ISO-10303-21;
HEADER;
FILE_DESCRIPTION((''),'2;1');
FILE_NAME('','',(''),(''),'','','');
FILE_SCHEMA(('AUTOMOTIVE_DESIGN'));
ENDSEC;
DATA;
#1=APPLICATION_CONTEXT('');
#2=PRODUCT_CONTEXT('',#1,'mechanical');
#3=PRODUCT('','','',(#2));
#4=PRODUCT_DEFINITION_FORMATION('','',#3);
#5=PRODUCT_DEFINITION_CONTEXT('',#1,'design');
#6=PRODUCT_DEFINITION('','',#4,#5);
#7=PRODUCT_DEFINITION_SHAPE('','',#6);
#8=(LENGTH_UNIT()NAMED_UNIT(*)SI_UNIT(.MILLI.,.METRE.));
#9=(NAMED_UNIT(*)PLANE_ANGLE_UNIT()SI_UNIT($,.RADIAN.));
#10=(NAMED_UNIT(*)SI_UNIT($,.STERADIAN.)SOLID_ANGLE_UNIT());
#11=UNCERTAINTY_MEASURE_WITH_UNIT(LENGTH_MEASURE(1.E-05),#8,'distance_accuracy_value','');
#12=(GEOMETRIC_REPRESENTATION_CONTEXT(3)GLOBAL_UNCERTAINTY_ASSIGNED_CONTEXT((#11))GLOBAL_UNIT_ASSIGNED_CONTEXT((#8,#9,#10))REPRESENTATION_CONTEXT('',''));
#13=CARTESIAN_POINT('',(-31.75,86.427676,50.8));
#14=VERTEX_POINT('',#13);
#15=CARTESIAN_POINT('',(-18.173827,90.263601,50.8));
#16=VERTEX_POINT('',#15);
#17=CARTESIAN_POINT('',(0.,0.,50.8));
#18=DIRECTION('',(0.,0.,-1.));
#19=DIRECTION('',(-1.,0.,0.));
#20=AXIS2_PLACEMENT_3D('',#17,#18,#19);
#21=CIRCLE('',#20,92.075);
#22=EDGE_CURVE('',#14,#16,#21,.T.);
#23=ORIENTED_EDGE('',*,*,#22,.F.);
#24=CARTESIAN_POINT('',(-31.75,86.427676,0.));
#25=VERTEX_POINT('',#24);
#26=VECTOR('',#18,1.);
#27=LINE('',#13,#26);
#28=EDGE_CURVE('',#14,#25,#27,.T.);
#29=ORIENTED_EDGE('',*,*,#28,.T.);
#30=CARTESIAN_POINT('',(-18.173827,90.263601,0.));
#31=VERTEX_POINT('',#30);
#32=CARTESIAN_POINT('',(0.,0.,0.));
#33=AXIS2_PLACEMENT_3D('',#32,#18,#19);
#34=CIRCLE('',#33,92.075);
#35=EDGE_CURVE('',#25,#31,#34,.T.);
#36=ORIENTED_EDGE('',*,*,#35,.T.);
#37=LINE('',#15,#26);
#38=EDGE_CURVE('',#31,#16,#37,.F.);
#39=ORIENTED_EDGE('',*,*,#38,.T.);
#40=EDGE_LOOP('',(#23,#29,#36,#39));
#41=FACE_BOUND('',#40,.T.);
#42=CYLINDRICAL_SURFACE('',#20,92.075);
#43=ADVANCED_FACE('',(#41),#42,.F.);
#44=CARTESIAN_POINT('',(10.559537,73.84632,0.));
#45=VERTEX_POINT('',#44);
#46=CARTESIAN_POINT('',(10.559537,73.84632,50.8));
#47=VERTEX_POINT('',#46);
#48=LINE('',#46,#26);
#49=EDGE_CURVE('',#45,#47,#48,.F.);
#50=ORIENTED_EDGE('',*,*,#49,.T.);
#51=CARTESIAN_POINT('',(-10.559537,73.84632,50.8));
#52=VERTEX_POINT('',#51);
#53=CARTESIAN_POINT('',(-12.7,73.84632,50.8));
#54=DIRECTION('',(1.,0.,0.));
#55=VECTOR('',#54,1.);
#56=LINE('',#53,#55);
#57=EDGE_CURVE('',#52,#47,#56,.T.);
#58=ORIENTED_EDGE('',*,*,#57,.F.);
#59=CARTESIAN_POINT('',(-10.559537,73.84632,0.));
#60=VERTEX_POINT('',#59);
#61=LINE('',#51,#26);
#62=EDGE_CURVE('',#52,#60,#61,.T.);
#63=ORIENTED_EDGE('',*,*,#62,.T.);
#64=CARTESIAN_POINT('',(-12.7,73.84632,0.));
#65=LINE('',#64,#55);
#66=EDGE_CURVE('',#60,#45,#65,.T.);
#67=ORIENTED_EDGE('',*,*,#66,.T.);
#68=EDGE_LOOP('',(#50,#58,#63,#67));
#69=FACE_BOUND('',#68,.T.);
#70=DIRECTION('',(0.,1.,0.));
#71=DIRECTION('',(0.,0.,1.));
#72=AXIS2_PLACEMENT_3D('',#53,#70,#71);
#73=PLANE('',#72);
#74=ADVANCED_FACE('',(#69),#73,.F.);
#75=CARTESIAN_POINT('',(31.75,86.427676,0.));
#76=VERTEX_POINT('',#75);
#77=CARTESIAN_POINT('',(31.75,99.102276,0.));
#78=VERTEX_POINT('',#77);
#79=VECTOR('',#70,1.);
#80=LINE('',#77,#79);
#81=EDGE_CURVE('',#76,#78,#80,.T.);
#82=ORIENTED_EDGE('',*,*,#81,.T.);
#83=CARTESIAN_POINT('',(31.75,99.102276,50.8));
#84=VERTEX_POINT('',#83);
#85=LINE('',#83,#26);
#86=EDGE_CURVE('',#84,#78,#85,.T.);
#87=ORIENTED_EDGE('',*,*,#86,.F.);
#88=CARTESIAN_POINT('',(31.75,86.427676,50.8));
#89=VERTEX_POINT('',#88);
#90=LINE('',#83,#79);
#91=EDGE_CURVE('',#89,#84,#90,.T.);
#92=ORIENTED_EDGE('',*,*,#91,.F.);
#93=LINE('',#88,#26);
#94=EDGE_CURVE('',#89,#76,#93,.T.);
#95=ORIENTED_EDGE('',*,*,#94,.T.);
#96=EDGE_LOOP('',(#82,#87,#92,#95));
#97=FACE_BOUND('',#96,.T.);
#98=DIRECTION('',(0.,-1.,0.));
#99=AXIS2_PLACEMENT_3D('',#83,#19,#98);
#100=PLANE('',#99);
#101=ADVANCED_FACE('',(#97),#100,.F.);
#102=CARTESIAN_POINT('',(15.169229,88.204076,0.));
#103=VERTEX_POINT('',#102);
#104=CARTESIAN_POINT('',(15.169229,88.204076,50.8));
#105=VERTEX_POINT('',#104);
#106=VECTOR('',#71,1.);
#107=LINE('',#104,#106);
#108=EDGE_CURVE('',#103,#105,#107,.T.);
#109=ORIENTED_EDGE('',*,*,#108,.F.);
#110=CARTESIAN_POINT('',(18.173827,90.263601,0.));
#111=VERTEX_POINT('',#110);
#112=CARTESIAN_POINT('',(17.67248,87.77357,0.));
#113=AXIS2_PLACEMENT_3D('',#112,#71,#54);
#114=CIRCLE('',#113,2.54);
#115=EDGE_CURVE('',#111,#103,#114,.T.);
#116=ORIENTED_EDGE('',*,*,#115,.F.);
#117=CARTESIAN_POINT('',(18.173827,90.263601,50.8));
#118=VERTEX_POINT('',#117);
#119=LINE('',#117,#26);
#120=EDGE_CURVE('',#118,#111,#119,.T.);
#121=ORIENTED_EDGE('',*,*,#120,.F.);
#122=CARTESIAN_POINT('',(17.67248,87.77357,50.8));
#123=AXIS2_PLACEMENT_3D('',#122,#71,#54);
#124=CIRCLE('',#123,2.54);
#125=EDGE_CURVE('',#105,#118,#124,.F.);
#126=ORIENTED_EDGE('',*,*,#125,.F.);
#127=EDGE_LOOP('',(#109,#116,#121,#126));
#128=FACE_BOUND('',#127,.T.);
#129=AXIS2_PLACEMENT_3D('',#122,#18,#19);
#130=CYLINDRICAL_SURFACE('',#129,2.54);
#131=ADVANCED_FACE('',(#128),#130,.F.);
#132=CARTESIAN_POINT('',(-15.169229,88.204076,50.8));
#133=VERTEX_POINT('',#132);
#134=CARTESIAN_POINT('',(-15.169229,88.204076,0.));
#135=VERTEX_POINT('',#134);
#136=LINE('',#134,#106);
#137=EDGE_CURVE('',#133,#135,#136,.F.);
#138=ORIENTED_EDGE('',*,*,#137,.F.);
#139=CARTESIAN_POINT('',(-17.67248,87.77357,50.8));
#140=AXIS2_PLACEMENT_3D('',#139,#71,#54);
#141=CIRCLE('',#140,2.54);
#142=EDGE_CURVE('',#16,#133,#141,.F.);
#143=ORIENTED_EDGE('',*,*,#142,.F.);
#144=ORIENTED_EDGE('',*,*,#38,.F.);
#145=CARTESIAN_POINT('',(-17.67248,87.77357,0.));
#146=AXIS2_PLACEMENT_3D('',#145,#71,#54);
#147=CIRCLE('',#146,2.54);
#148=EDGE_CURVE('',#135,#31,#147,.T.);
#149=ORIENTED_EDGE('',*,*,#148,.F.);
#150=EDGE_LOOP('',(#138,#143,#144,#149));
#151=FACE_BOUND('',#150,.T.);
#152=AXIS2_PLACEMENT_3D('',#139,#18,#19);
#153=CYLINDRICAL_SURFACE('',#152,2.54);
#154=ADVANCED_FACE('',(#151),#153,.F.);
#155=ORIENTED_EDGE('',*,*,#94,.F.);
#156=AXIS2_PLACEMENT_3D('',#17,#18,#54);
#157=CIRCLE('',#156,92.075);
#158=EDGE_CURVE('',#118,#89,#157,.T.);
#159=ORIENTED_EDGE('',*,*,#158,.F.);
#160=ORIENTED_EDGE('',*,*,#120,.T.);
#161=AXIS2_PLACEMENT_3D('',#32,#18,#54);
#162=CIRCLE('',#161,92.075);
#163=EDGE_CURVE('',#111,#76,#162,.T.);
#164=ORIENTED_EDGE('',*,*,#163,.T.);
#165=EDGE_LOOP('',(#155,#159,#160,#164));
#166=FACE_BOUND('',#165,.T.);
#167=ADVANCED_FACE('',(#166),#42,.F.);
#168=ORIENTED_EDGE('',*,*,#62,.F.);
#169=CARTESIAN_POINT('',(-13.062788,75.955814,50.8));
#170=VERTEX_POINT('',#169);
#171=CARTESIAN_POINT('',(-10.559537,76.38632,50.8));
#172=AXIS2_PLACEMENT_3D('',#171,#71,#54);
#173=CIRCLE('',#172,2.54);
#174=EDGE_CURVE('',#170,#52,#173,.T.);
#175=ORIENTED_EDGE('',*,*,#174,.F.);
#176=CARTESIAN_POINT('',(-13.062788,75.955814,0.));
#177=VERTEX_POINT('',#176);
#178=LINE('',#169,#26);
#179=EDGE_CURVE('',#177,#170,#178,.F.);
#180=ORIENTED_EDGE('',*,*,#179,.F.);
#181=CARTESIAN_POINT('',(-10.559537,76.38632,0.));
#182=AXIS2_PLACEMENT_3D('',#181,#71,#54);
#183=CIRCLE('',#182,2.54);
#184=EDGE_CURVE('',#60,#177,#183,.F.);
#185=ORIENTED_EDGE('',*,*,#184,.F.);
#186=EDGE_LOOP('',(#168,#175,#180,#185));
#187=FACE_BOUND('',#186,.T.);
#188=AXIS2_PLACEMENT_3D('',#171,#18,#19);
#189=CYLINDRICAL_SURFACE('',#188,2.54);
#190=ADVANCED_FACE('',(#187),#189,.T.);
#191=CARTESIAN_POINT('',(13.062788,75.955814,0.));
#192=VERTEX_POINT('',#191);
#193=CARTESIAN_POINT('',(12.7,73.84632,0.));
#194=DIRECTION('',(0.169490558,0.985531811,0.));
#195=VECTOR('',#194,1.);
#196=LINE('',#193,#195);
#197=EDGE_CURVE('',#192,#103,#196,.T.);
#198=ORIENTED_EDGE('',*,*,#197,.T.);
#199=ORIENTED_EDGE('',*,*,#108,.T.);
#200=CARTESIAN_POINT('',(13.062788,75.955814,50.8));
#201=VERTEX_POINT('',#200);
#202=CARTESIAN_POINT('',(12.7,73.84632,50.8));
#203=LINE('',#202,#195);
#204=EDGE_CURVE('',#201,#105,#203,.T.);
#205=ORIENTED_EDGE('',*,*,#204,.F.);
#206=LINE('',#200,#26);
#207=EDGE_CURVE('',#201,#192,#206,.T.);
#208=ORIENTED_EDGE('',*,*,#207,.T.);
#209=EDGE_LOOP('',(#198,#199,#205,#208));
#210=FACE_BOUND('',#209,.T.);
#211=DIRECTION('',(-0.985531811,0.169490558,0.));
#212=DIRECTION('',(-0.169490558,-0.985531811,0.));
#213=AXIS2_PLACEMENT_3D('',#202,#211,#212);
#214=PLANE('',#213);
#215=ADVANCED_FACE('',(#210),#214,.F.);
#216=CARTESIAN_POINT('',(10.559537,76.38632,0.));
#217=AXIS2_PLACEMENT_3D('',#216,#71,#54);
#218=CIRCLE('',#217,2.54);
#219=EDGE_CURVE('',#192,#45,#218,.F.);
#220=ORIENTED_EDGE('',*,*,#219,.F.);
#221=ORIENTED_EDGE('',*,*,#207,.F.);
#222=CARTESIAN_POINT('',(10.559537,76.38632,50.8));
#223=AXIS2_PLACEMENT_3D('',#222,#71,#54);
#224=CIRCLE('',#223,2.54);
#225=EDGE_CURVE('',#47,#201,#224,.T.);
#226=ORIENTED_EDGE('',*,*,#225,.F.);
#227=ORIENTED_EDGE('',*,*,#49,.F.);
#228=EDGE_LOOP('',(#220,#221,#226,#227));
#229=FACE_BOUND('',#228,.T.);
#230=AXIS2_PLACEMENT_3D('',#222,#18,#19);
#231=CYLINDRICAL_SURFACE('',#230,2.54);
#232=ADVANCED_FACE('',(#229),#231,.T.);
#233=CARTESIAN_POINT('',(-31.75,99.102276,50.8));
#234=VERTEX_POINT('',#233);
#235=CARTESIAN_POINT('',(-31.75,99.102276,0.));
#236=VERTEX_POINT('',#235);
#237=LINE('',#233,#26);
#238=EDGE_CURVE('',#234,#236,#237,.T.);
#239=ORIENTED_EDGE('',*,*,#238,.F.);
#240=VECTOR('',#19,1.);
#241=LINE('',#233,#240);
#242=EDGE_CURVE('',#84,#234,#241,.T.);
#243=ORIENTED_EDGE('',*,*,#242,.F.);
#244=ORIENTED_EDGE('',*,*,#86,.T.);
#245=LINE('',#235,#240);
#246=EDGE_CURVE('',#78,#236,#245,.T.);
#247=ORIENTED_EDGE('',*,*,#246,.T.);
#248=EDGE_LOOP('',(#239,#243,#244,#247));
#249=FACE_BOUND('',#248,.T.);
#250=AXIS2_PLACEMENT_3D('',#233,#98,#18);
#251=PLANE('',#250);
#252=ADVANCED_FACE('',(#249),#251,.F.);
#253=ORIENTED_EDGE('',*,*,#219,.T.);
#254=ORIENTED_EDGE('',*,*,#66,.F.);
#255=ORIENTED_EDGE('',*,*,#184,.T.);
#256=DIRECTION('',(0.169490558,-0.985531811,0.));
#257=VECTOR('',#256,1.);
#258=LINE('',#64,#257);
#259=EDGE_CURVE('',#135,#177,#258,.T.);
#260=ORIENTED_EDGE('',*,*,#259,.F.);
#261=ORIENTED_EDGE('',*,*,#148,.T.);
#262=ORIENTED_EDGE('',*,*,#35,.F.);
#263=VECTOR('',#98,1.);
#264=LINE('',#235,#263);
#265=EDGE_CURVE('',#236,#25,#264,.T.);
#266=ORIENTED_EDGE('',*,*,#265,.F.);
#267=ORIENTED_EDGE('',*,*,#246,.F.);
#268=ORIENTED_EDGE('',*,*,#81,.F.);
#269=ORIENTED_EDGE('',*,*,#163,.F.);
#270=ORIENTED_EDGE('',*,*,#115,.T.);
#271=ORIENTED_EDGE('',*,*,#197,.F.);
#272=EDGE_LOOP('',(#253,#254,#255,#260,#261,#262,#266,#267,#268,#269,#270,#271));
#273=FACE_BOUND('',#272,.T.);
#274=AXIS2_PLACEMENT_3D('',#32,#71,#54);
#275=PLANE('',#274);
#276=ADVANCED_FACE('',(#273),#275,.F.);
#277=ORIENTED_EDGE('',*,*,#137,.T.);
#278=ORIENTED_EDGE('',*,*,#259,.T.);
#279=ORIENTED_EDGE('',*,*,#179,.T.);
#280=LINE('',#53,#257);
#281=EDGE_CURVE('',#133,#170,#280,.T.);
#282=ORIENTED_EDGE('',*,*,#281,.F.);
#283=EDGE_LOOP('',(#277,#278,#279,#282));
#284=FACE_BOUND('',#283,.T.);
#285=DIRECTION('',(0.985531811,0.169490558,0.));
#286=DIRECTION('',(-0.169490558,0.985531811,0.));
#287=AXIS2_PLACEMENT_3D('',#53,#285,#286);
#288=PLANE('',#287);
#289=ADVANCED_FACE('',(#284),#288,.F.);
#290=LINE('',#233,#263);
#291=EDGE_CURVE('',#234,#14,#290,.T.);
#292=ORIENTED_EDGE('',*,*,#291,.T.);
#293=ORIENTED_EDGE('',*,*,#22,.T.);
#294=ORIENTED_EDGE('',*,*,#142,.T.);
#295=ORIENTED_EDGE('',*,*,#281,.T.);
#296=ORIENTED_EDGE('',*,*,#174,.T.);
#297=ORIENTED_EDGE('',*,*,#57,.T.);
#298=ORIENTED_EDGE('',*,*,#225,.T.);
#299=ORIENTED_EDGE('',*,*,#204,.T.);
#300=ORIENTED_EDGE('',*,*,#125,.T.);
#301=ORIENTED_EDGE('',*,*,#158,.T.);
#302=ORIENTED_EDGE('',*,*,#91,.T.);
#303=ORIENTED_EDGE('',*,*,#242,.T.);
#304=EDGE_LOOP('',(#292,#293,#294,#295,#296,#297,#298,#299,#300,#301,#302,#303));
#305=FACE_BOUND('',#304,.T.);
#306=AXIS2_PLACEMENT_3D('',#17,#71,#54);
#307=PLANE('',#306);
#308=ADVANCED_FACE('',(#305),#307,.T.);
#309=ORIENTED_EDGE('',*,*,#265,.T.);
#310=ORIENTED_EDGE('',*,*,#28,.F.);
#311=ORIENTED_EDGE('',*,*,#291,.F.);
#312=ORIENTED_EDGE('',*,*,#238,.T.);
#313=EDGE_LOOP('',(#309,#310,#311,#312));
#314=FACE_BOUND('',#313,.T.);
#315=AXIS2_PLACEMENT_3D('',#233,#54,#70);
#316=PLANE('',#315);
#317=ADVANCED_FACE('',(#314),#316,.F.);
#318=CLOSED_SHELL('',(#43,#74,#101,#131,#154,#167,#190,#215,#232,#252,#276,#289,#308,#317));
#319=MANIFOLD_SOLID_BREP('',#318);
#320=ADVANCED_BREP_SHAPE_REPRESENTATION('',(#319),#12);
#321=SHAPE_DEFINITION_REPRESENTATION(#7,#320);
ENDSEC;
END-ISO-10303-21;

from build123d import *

# Parameters (mm, degrees)
BOSS_EXTRUDE1_DEPTH = 50.8
FILLET1_R           = 2.54


with BuildPart() as part:
    # Sketch1 → Boss-Extrude1 (new body)
    with BuildSketch(Plane.XY):
        with BuildLine():
            Line((-12.7, 73.846320157), (12.7, 73.846320157))
            Line((12.7, 73.846320157), (15.605843118, 90.742841512))
            ThreePointArc((15.605843118, 90.742841512), (23.776020133, 88.952270863), (31.75, 86.427675689))
            Line((31.75, 86.427675689), (31.75, 99.102275689))
            Line((31.75, 99.102275689), (-31.75, 99.102275689))
            Line((-31.75, 99.102275689), (-31.75, 86.427675689))
            ThreePointArc((-31.75, 86.427675689), (-23.776020133, 88.952270863), (-15.605843118, 90.742841512))
            Line((-15.605843118, 90.742841512), (-12.7, 73.846320157))
        make_face()
    extrude(amount=BOSS_EXTRUDE1_DEPTH)

    # Fillet1
    fillet1_edges = [part.edges().sort_by_distance(p)[0] for p in [
        (12.7, 73.846320157, 25.4),
        (-12.7, 73.846320157, 25.4),
        (-15.605843118, 90.742841512, 25.4),
        (15.605843118, 90.742841512, 25.4),
    ]]
    fillet(fillet1_edges, radius=FILLET1_R)


solid = part.part
